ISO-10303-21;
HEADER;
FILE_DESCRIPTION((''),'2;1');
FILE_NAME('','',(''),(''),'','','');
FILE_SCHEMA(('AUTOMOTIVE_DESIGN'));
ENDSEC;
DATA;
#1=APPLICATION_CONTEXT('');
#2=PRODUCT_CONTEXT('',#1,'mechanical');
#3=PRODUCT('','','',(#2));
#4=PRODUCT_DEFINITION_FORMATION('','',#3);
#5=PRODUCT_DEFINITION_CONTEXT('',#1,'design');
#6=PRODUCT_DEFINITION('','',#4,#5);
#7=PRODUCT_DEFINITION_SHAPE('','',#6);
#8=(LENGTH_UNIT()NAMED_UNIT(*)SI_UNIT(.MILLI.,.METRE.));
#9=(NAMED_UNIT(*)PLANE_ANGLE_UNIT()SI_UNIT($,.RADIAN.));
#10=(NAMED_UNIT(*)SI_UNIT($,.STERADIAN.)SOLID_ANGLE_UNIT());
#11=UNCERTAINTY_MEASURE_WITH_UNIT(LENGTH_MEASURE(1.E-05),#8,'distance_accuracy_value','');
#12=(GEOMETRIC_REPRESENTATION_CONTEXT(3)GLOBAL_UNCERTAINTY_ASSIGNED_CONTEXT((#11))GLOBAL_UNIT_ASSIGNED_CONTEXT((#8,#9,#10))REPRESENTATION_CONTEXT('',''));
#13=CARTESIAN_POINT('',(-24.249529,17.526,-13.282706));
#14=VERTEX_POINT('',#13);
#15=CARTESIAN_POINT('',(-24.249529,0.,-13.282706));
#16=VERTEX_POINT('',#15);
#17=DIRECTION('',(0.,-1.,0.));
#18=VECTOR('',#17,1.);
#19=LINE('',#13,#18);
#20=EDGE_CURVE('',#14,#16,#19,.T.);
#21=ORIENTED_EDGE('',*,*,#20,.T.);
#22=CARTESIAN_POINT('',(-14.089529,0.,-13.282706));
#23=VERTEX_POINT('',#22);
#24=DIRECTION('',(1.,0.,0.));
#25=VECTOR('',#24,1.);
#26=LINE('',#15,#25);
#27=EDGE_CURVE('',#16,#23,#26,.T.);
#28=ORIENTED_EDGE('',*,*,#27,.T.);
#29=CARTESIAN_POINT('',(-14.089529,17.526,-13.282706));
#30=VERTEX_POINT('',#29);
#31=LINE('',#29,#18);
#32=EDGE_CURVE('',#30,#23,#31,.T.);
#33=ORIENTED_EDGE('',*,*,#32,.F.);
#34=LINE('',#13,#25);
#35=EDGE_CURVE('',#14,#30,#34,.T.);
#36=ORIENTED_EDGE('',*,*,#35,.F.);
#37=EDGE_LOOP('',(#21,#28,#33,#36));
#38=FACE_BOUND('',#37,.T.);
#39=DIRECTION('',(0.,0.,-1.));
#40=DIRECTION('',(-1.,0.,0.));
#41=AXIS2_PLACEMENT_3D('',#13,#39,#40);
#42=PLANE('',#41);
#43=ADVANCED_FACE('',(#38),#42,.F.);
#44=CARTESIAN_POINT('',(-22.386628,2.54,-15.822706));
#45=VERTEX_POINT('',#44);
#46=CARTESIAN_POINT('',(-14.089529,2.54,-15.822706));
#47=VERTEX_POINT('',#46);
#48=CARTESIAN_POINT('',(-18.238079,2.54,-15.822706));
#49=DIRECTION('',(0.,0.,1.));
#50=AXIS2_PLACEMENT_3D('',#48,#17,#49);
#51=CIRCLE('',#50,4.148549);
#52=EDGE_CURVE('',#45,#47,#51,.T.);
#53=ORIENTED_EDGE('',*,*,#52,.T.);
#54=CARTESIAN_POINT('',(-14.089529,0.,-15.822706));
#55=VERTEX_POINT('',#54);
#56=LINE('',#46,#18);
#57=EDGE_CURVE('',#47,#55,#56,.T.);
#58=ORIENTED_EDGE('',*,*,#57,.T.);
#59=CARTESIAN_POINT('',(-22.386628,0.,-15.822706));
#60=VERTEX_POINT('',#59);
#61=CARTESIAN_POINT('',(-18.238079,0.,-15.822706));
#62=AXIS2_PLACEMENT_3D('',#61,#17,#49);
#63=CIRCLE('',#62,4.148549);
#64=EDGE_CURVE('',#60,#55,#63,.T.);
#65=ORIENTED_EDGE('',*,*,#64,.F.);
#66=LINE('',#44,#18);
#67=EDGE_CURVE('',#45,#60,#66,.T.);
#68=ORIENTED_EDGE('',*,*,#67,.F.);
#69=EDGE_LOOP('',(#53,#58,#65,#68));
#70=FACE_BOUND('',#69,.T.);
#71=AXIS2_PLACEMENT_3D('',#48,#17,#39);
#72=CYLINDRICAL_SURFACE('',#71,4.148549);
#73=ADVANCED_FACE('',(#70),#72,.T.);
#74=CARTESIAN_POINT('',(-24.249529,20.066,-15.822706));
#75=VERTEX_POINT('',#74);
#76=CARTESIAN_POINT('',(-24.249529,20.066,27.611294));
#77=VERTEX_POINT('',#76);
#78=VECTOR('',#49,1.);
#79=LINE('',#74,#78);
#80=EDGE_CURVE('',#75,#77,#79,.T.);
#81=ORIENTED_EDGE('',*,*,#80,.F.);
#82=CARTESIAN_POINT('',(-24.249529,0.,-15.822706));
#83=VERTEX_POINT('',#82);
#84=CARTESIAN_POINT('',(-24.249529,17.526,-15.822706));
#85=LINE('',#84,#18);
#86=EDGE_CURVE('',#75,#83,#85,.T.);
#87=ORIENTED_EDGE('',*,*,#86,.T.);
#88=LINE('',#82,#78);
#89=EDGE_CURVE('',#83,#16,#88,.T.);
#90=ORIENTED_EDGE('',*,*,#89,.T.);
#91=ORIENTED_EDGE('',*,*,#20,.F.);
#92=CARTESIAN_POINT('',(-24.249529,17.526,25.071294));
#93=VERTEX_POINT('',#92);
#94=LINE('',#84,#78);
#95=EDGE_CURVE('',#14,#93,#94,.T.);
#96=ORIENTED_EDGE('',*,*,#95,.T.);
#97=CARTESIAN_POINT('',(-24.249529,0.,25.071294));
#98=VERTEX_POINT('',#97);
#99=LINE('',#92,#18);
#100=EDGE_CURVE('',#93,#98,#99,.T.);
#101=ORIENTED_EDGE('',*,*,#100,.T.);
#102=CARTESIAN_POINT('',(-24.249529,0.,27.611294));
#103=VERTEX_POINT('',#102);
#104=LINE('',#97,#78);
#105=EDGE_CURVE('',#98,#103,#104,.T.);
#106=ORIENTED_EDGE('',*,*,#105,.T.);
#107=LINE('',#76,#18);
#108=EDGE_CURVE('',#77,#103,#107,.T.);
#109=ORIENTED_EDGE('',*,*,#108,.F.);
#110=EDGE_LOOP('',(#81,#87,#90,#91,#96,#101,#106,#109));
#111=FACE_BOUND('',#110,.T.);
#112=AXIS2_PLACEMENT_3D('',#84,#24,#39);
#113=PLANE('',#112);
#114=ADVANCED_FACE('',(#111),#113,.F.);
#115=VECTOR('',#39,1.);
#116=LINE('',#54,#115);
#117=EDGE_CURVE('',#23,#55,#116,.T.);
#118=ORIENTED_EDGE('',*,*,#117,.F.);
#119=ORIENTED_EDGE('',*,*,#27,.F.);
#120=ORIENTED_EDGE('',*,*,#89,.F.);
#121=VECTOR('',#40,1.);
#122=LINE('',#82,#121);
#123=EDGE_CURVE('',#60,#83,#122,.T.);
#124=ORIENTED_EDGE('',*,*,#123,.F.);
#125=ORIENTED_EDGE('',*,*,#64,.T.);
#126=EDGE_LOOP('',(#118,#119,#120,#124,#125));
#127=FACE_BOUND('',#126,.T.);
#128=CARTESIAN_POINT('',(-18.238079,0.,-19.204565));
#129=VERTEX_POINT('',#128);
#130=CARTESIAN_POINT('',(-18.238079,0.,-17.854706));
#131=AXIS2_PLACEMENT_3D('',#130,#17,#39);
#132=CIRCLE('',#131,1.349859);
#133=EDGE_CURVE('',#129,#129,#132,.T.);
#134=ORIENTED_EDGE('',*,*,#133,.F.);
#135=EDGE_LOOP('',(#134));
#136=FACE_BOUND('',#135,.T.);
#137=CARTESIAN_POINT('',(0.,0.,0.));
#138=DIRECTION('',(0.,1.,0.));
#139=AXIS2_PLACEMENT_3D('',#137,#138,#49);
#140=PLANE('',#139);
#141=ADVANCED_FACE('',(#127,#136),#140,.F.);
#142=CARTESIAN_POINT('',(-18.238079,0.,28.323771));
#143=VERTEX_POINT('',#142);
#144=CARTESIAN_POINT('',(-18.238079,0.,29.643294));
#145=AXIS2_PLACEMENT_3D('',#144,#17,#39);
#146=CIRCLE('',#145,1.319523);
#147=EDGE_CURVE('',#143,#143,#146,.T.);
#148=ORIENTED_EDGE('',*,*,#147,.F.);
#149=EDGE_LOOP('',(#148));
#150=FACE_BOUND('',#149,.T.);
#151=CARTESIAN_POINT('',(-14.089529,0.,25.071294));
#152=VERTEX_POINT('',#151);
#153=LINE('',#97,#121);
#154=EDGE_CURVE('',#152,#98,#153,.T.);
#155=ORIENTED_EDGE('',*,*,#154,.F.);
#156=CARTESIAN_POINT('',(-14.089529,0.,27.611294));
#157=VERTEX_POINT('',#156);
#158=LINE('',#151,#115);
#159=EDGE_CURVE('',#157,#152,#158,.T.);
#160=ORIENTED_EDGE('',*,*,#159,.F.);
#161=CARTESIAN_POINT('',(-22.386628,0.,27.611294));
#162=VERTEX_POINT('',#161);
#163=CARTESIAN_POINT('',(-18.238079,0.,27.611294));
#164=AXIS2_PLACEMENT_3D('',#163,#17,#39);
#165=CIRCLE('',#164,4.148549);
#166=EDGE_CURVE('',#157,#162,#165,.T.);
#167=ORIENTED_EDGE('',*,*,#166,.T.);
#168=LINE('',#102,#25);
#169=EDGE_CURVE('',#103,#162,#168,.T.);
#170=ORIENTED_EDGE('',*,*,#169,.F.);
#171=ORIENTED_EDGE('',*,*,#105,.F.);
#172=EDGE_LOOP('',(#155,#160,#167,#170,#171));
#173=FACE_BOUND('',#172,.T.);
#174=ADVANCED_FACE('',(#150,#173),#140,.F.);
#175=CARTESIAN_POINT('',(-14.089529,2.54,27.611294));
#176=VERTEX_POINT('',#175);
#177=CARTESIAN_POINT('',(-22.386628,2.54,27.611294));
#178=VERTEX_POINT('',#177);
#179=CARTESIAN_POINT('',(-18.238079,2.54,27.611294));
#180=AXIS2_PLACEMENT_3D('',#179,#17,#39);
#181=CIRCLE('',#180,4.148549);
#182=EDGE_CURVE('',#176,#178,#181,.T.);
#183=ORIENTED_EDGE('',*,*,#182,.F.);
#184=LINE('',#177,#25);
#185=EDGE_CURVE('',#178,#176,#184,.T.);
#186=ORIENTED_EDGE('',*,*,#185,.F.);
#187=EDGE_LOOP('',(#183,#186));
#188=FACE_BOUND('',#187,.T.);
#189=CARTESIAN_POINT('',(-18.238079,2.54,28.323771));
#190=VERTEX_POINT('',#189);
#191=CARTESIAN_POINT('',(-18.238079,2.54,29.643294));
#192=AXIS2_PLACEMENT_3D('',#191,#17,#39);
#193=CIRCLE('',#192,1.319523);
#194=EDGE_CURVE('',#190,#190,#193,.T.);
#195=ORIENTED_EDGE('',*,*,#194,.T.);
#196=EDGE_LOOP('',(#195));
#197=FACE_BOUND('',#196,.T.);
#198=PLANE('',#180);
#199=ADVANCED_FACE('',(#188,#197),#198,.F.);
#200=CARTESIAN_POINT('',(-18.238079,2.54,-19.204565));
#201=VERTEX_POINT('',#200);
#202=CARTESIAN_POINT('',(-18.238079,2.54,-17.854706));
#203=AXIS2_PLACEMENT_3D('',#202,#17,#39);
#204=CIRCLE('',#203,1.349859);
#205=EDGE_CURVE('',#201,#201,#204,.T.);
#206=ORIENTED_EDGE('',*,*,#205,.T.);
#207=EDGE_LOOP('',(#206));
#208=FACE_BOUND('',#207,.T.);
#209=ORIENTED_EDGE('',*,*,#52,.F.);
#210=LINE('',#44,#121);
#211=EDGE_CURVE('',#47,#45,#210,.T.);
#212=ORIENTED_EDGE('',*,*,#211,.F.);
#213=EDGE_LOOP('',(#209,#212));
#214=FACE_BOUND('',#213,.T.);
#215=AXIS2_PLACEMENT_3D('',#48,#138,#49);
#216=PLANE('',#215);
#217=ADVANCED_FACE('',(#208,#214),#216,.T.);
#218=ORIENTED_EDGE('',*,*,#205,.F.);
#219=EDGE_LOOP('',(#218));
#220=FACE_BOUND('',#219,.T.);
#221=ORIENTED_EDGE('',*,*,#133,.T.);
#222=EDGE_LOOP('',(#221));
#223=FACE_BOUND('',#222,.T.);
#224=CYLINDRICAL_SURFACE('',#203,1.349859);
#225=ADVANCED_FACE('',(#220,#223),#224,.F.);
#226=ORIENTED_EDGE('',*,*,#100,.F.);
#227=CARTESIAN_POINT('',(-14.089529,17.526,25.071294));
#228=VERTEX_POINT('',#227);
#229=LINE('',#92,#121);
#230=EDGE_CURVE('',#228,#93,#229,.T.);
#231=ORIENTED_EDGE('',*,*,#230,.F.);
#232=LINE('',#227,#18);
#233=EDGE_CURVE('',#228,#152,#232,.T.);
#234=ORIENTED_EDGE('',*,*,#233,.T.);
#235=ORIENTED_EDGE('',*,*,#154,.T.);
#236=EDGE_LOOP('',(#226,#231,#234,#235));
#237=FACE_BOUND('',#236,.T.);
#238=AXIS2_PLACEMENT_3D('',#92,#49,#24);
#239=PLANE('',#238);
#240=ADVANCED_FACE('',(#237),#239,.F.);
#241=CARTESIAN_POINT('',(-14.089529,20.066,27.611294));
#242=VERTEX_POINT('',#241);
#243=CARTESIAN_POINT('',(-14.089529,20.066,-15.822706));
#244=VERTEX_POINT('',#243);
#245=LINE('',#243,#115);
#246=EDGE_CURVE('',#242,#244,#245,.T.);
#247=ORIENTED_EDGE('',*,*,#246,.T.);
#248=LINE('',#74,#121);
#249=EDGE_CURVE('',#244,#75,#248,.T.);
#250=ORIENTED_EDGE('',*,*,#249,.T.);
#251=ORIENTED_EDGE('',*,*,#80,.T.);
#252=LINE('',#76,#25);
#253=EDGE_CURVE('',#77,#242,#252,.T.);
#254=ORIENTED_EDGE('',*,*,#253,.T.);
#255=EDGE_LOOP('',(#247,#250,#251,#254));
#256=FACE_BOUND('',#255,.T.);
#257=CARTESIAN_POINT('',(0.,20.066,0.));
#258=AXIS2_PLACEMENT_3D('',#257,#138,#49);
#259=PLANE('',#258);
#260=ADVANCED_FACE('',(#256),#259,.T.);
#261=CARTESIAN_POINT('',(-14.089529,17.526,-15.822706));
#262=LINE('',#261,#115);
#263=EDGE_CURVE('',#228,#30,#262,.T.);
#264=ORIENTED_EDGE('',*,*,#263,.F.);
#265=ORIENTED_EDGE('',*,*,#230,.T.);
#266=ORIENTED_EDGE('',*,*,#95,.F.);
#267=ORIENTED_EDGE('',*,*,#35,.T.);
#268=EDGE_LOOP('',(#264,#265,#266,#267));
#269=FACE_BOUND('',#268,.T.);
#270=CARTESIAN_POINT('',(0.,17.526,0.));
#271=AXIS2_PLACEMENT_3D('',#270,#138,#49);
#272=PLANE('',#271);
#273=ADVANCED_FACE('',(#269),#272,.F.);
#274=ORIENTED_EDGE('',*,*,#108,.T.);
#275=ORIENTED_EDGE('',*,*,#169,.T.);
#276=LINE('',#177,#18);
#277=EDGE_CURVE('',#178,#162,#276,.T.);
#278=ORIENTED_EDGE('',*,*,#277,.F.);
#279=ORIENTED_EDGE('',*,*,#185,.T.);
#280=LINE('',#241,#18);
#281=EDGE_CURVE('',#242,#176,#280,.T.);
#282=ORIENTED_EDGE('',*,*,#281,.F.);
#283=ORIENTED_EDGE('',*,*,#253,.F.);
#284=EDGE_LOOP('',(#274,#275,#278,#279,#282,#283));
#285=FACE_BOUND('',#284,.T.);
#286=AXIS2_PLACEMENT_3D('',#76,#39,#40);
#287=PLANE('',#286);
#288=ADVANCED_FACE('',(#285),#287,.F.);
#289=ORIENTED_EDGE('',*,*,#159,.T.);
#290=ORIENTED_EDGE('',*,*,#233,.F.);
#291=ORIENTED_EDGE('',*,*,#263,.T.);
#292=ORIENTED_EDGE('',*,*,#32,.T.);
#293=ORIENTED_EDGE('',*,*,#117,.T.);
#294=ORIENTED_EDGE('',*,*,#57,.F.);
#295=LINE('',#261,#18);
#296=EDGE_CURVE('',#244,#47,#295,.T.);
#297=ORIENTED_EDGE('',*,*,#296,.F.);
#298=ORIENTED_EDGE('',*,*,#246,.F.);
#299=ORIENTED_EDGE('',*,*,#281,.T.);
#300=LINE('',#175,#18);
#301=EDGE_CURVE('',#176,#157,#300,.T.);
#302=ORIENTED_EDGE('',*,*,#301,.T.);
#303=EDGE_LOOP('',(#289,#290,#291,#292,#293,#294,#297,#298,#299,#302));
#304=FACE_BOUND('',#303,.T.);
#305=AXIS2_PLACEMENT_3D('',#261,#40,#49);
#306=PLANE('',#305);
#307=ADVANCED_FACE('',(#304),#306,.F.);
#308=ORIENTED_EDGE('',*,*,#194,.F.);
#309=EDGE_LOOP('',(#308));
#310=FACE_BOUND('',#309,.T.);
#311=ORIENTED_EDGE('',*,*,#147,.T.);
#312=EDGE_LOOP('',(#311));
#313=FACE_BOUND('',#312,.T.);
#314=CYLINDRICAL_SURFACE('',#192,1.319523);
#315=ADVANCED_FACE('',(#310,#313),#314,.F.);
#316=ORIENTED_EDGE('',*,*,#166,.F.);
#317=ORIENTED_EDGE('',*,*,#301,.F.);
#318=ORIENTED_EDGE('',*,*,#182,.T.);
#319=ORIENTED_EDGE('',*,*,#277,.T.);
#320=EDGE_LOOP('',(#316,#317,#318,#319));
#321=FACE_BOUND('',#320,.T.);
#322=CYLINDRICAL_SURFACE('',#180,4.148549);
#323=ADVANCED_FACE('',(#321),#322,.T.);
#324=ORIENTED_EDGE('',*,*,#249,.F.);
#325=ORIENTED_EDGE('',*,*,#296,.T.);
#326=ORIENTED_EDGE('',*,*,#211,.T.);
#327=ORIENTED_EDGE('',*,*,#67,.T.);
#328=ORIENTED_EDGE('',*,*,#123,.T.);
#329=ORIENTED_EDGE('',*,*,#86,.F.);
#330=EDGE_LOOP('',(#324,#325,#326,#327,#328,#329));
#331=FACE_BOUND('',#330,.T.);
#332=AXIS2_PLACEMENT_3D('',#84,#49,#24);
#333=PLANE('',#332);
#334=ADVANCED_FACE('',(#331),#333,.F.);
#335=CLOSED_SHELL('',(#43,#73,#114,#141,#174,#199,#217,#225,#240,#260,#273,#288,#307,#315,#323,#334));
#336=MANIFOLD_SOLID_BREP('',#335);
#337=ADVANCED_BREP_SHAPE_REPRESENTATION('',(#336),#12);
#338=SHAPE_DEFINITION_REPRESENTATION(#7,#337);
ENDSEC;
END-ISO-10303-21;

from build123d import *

# Parameters (mm, degrees)
SKETCH1_W             = 10.16
SKETCH1_H             = 2.54
BOSS_EXTRUDE1_DEPTH   = 17.526
BOSS_EXTRUDE1_2_DEPTH = 17.526
SKETCH2_W             = 10.16
SKETCH2_H             = 43.434
BOSS_EXTRUDE2_DEPTH   = 2.54
SKETCH3_R             = 1.319522672
SKETCH3_R_2           = 1.34985913
BOSS_EXTRUDE3_DEPTH   = 2.54


with BuildPart() as part:
    # Sketch1 → Boss-Extrude1 (new body)
    with BuildSketch(Plane(origin=(0, 0, 0), x_dir=(1, 0, 0), z_dir=(0, 1, 0))):
        with Locations((-19.169529412, 14.552705882)):
            Rectangle(SKETCH1_W, SKETCH1_H)
    extrude(amount=BOSS_EXTRUDE1_DEPTH)



with BuildPart() as body_2:
    # Sketch1 → Boss-Extrude1 2 (new body)
    with BuildSketch(Plane(origin=(0, 0, 0), x_dir=(1, 0, 0), z_dir=(0, 1, 0))):
        with Locations((-19.169529412, -26.341294118)):
            Rectangle(SKETCH1_W, SKETCH1_H)
    extrude(amount=BOSS_EXTRUDE1_2_DEPTH)


with BuildPart() as part_1:
    add(part.part)

    add(body_2.part)  # Boss-Extrude2 merges body 2
    # Sketch2 → Boss-Extrude2 (add)
    with BuildSketch(Plane(origin=(0, 17.526, 0), x_dir=(1, 0, 0), z_dir=(0, 1, 0))):
        with Locations((-19.169529412, -5.894294118)):
            Rectangle(SKETCH2_W, SKETCH2_H)
    extrude(amount=BOSS_EXTRUDE2_DEPTH)

    # Sketch3 → Boss-Extrude3 (add)
    # profile 1 of 2: a face of its own
    with BuildSketch(Plane.XZ):
        with BuildLine():
            Line((-22.386628374, 27.611294118), (-14.089529412, 27.611294118))
            ThreePointArc((-14.089529412, 27.611294118), (-18.238078893, 31.759843599), (-22.386628374, 27.611294118))
        make_face()
        with Locations(Location((-18.238078893, 29.643294118, 0), (0, 0, 270))):
            Circle(SKETCH3_R, mode=Mode.SUBTRACT)
    # profile 2 of 2: a face of its own
    with BuildSketch(Plane.XZ):
        with BuildLine():
            Line((-22.386628374, -15.822705882), (-14.089529412, -15.822705882))
            ThreePointArc((-14.089529412, -15.822705882), (-18.238078893, -19.971255363), (-22.386628374, -15.822705882))
        make_face()
        with Locations(Location((-18.238078893, -17.854705882, 0), (0, 0, 270))):
            Circle(SKETCH3_R_2, mode=Mode.SUBTRACT)
    extrude(amount=-BOSS_EXTRUDE3_DEPTH)


solid = part_1.part
